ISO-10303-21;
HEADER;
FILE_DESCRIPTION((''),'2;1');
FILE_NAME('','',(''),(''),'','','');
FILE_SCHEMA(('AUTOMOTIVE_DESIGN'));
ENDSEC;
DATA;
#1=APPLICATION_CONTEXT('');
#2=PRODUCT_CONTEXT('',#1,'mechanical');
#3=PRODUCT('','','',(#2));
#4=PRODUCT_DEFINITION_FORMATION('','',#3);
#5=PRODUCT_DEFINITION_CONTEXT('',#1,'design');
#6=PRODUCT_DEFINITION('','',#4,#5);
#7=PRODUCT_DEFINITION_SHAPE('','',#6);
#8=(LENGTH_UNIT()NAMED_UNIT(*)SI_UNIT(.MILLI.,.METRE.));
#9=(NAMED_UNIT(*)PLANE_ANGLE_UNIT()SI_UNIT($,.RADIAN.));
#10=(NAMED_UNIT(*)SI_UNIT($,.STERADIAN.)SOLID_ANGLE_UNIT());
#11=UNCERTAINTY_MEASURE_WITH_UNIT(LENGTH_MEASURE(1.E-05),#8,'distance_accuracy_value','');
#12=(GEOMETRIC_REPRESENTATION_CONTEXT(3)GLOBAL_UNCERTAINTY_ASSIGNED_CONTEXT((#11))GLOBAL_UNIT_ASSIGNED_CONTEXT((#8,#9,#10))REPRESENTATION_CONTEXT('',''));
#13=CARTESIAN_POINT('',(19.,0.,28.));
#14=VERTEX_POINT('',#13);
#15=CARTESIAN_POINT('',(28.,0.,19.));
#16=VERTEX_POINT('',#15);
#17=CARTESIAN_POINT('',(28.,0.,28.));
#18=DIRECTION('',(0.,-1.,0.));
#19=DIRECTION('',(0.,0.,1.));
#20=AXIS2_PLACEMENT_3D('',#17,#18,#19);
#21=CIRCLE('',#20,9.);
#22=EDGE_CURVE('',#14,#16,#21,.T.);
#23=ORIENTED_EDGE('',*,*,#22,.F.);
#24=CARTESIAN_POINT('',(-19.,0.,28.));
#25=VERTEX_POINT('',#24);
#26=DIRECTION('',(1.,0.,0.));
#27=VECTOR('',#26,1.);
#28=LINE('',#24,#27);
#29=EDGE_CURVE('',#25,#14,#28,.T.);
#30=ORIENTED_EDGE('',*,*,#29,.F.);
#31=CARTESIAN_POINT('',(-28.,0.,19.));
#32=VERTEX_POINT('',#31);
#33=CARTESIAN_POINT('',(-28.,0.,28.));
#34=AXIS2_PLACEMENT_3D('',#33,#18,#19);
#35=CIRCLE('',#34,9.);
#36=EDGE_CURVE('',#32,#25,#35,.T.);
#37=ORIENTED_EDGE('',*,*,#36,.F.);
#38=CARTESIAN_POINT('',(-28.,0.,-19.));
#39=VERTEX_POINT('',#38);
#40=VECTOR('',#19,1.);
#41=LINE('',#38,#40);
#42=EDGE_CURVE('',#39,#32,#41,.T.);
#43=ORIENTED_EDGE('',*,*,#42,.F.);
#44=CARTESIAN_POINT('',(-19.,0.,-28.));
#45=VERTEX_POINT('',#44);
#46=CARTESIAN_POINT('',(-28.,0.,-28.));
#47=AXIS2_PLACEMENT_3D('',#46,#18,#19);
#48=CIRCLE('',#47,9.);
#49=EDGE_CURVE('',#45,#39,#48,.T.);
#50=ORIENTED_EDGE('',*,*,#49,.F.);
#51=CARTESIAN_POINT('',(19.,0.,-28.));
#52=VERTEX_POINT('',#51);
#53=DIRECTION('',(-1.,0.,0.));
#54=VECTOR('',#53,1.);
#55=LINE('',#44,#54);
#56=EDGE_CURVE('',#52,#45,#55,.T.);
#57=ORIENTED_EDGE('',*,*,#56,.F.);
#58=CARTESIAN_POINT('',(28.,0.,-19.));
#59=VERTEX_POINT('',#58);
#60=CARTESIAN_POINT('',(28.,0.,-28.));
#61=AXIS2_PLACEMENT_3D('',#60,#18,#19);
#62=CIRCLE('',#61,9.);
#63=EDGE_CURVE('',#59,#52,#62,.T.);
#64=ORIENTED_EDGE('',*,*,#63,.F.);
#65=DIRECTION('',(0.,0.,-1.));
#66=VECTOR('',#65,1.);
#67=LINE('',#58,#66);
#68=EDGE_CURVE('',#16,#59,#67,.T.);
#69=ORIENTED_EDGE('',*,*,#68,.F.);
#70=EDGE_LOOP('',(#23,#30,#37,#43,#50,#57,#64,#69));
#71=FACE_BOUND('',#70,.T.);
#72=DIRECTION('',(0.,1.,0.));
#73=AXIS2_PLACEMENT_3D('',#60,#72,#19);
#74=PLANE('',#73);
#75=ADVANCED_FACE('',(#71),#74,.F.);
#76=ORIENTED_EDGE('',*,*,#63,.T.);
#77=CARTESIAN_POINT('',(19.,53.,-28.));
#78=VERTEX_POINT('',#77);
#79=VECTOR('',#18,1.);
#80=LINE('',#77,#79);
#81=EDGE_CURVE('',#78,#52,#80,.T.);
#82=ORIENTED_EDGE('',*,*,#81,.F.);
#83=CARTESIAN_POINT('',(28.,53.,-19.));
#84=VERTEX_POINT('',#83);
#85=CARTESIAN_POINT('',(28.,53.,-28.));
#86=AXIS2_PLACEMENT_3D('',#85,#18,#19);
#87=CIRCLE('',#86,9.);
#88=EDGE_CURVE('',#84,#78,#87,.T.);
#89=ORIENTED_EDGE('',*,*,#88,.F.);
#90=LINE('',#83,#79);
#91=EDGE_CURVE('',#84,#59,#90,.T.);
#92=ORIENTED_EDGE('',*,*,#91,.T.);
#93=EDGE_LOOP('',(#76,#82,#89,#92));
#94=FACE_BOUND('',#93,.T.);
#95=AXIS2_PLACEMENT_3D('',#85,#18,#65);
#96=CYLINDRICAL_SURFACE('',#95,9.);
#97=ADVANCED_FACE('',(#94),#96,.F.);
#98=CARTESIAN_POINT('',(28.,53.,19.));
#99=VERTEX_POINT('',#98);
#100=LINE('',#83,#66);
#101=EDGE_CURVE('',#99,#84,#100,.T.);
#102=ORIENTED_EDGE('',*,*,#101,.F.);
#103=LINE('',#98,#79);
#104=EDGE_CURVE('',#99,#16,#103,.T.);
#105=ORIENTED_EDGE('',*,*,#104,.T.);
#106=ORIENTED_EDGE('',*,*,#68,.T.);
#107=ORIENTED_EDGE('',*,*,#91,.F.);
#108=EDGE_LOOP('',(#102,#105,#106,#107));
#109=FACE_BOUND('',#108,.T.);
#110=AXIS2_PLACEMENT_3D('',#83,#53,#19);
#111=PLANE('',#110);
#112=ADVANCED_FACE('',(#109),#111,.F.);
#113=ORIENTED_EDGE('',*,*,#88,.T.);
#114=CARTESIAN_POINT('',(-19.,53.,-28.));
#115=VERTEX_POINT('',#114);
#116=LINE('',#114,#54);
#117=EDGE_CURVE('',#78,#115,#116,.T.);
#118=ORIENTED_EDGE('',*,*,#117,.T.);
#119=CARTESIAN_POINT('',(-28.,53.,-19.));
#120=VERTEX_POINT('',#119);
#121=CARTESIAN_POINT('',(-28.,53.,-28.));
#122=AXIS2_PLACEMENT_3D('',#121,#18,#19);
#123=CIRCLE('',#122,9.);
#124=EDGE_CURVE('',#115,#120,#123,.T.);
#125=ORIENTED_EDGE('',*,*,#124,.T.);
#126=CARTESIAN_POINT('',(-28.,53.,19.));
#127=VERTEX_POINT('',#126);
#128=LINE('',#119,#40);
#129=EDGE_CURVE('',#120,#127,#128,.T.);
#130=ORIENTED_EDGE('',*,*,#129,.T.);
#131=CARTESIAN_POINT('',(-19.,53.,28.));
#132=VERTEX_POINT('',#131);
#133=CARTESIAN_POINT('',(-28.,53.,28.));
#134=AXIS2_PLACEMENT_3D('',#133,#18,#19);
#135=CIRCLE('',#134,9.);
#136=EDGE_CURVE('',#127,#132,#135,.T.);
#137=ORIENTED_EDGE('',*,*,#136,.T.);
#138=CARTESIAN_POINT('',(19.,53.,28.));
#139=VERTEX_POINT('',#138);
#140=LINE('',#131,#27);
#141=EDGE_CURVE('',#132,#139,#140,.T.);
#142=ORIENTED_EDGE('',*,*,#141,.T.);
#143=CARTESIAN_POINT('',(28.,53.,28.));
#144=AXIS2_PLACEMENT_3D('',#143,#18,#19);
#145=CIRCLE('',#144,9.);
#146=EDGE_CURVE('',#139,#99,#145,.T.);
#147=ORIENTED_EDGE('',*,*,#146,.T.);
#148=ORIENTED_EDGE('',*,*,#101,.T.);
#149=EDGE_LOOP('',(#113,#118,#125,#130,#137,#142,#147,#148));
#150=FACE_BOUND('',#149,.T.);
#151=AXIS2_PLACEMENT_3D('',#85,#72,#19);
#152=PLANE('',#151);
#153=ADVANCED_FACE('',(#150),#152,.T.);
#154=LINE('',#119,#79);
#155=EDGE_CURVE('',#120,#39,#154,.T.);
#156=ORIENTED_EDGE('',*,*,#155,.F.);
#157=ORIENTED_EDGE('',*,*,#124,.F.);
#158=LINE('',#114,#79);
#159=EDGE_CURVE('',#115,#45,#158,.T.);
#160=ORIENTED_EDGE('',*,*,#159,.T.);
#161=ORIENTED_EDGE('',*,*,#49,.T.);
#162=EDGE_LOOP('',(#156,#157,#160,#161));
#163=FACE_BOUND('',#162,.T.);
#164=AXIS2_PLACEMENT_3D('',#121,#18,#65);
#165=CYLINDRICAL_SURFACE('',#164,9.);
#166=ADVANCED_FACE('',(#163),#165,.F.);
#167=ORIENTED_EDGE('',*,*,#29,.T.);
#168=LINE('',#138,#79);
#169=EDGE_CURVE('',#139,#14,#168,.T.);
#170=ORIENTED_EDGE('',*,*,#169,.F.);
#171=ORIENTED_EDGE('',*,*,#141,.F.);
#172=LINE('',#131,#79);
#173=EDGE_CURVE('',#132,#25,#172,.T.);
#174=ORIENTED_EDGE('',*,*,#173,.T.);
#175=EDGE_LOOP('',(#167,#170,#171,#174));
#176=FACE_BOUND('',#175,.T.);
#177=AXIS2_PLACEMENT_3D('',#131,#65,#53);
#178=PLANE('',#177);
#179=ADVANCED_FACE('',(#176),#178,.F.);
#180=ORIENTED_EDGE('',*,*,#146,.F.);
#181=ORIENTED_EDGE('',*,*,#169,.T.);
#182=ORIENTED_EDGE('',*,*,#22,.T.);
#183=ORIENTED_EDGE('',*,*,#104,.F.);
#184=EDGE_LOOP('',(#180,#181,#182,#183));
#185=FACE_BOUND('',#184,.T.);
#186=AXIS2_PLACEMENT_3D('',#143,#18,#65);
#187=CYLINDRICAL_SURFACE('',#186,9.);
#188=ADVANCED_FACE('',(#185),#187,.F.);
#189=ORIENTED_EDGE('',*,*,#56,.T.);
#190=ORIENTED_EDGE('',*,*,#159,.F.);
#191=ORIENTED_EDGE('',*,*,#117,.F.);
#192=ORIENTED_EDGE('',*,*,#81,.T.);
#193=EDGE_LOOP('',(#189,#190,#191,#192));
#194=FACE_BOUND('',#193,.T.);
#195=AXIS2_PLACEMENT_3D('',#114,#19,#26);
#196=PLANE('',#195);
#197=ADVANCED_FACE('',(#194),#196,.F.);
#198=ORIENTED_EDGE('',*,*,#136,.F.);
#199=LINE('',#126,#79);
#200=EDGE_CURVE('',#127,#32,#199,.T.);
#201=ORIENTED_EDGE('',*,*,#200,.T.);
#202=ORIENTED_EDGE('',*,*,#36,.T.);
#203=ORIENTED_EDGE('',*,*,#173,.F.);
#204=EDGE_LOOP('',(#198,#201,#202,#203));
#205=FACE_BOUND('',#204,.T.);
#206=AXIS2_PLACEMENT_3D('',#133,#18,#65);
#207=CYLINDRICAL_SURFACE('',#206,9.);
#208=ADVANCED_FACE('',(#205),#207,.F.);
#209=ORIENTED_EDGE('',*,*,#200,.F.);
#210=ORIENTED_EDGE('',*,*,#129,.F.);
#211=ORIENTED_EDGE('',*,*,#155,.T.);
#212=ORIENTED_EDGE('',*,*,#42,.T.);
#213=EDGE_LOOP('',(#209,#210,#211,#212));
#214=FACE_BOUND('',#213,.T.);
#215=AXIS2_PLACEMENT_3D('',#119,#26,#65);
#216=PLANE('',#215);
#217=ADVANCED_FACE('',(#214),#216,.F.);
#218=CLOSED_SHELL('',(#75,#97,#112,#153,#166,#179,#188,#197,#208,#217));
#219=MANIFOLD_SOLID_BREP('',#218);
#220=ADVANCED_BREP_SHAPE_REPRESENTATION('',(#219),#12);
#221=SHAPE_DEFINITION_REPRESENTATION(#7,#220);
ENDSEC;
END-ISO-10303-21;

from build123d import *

# Parameters (mm, degrees)
BOSS_EXTRUDE1_DEPTH = 53


with BuildPart() as part:
    # Sketch1 → Boss-Extrude1 (new body)
    with BuildSketch(Plane(origin=(0, 0, 0), x_dir=(1, 0, 0), z_dir=(0, 1, 0))):
        with BuildLine():
            Line((-19, 28), (19, 28))
            ThreePointArc((19, 28), (21.636038969, 21.636038969), (28, 19))
            Line((28, 19), (28, -19))
            ThreePointArc((28, -19), (21.636038969, -21.636038969), (19, -28))
            Line((19, -28), (-19, -28))
            ThreePointArc((-19, -28), (-21.636038969, -21.636038969), (-28, -19))
            Line((-28, -19), (-28, 19))
            ThreePointArc((-28, 19), (-21.636038969, 21.636038969), (-19, 28))
        make_face()
    extrude(amount=BOSS_EXTRUDE1_DEPTH)


solid = part.part
